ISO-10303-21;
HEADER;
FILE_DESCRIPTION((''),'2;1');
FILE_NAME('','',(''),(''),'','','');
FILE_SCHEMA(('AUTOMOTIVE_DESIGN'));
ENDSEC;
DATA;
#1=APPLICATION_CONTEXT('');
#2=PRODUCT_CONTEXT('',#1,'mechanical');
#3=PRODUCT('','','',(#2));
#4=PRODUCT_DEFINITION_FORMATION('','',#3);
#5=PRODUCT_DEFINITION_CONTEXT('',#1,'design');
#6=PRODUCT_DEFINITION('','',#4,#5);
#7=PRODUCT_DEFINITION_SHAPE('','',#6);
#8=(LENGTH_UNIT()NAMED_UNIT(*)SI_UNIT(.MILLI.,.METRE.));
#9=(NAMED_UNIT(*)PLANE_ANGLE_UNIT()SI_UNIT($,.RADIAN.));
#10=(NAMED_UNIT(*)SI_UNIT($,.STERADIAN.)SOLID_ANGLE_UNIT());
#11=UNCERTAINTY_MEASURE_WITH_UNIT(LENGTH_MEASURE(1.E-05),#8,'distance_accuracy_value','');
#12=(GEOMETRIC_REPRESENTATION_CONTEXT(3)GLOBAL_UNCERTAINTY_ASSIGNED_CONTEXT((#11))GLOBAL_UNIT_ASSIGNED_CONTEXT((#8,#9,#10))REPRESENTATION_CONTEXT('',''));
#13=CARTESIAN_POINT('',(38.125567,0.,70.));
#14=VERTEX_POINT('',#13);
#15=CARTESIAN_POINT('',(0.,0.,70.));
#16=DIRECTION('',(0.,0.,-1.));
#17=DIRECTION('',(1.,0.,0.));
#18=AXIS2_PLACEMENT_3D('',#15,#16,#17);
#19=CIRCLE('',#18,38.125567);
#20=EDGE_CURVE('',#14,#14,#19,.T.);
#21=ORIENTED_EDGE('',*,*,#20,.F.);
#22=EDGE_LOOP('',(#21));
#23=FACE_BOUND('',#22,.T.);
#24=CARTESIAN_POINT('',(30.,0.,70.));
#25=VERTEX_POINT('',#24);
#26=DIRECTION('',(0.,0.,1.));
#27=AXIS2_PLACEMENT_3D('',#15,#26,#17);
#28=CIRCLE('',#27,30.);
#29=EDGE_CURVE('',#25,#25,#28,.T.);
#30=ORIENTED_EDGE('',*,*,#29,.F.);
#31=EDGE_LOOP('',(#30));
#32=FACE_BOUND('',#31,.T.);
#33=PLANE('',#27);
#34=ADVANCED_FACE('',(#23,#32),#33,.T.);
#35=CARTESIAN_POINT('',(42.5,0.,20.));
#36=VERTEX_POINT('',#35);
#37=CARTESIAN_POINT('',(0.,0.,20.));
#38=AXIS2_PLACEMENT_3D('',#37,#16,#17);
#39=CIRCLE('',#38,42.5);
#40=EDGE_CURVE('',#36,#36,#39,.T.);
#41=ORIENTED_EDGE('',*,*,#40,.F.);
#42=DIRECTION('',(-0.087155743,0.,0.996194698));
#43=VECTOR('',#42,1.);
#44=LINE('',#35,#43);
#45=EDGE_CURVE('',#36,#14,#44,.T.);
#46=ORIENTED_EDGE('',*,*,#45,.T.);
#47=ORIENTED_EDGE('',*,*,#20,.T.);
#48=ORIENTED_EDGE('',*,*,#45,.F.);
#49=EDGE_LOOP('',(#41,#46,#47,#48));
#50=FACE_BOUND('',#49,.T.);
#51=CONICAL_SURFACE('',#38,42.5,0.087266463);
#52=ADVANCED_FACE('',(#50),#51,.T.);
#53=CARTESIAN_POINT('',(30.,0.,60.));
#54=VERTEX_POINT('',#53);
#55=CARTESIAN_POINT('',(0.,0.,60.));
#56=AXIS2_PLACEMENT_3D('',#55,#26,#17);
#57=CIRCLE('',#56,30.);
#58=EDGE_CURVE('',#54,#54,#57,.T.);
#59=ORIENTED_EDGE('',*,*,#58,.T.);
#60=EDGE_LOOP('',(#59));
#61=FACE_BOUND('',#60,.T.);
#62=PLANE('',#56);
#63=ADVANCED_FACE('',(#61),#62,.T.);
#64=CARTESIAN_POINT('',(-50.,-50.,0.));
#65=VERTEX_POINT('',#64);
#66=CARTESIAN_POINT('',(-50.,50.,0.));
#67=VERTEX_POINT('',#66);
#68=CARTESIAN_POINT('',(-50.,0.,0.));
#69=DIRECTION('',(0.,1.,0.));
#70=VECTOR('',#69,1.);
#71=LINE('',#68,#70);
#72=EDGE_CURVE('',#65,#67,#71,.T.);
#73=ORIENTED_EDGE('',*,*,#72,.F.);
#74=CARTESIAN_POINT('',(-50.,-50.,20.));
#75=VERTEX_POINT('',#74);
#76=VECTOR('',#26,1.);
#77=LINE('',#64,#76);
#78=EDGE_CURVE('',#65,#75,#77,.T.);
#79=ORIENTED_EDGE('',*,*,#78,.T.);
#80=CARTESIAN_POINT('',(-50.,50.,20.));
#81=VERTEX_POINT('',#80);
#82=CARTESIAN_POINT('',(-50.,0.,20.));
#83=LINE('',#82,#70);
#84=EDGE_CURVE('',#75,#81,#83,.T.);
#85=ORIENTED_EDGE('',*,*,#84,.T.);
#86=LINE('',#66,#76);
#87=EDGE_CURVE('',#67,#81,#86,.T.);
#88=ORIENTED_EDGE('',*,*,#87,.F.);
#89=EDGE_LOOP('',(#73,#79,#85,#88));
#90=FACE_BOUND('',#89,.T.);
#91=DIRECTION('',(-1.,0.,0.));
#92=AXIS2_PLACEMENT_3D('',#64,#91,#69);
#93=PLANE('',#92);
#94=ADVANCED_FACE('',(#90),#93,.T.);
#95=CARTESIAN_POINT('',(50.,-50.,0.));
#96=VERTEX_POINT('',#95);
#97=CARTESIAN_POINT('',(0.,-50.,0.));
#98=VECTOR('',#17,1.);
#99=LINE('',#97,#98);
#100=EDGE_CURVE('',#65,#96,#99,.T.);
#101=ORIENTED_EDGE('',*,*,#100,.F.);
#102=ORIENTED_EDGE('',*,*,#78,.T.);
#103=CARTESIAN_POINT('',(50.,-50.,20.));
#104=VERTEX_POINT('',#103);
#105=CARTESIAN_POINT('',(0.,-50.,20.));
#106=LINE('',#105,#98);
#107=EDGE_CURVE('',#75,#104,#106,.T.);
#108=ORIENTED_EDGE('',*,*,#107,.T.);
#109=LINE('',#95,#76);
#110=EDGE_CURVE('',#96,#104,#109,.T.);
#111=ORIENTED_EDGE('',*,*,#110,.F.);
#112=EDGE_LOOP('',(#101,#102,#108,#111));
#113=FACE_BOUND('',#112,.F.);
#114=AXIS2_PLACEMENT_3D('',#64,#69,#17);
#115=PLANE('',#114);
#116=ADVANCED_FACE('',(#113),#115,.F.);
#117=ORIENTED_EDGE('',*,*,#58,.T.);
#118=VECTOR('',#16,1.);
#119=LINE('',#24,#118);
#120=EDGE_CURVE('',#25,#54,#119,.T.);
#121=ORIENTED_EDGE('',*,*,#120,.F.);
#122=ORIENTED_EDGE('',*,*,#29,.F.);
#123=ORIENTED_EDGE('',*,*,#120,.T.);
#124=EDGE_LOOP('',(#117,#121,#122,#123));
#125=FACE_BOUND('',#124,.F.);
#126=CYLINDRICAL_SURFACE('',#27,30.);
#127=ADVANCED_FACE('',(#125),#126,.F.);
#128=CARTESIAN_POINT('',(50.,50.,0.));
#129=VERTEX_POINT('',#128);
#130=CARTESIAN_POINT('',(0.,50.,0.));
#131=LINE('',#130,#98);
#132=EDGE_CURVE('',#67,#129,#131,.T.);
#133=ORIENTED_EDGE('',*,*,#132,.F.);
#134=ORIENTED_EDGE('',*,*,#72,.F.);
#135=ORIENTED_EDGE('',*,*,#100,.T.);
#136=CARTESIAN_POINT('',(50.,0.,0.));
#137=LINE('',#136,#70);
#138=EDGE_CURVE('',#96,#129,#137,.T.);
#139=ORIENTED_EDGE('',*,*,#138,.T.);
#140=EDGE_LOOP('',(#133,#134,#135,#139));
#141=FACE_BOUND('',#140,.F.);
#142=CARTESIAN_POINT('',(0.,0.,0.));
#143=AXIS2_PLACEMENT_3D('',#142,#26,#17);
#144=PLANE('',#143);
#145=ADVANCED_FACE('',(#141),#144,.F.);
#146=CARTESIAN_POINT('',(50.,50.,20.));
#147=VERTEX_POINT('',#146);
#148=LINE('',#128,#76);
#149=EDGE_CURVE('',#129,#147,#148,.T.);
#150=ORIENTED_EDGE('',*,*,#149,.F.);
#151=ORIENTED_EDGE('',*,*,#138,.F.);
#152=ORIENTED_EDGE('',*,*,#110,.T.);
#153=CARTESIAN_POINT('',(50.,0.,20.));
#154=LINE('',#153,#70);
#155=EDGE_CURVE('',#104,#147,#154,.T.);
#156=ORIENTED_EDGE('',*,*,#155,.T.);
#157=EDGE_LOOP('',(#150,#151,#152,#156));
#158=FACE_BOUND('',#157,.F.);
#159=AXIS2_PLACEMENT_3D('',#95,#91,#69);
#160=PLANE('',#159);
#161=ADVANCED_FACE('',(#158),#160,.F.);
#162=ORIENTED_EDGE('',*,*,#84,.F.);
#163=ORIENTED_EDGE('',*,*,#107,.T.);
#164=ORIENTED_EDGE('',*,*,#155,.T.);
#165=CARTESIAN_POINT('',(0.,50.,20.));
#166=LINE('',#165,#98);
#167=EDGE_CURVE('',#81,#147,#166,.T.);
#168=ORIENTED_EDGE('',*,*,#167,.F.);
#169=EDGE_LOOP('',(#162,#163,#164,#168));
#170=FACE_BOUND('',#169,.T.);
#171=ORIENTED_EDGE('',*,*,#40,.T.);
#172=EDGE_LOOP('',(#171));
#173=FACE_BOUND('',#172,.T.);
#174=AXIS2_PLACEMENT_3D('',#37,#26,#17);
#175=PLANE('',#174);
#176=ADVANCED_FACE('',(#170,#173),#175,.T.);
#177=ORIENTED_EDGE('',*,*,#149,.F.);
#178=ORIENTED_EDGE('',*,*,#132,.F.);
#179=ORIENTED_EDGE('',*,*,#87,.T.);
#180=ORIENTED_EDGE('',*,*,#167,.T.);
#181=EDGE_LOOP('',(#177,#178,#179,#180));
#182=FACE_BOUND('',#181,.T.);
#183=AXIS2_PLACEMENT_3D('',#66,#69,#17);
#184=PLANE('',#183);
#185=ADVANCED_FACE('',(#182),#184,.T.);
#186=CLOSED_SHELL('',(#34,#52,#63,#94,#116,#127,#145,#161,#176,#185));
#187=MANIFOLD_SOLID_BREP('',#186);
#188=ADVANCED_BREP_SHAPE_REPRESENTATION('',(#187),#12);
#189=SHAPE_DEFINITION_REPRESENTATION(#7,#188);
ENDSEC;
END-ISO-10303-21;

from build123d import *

# Parameters (mm, degrees)
F0_W     = 100
F0_H     = 100
F1_DEPTH = 20
F2_R     = 42.5
F3_DEPTH = 50
F3_TAPER = 5
F4_R     = 30
F5_DEPTH = 10


with BuildPart() as f1:
    # F0 (on Top) → F1 (new body)
    with BuildSketch(Plane.XY):
        Rectangle(F0_W, F0_H)
    extrude(amount=F1_DEPTH)

    # F2 (on face) → F3 (join)
    with BuildSketch(Plane.XY.offset(20)):
        Circle(F2_R)
    extrude(amount=F3_DEPTH, taper=F3_TAPER)

    # F4 (on face) → F5 (cut)
    with BuildSketch(Plane.XY.offset(70)):
        Circle(F4_R)
    extrude(amount=-F5_DEPTH, mode=Mode.SUBTRACT)


solid = f1.part
